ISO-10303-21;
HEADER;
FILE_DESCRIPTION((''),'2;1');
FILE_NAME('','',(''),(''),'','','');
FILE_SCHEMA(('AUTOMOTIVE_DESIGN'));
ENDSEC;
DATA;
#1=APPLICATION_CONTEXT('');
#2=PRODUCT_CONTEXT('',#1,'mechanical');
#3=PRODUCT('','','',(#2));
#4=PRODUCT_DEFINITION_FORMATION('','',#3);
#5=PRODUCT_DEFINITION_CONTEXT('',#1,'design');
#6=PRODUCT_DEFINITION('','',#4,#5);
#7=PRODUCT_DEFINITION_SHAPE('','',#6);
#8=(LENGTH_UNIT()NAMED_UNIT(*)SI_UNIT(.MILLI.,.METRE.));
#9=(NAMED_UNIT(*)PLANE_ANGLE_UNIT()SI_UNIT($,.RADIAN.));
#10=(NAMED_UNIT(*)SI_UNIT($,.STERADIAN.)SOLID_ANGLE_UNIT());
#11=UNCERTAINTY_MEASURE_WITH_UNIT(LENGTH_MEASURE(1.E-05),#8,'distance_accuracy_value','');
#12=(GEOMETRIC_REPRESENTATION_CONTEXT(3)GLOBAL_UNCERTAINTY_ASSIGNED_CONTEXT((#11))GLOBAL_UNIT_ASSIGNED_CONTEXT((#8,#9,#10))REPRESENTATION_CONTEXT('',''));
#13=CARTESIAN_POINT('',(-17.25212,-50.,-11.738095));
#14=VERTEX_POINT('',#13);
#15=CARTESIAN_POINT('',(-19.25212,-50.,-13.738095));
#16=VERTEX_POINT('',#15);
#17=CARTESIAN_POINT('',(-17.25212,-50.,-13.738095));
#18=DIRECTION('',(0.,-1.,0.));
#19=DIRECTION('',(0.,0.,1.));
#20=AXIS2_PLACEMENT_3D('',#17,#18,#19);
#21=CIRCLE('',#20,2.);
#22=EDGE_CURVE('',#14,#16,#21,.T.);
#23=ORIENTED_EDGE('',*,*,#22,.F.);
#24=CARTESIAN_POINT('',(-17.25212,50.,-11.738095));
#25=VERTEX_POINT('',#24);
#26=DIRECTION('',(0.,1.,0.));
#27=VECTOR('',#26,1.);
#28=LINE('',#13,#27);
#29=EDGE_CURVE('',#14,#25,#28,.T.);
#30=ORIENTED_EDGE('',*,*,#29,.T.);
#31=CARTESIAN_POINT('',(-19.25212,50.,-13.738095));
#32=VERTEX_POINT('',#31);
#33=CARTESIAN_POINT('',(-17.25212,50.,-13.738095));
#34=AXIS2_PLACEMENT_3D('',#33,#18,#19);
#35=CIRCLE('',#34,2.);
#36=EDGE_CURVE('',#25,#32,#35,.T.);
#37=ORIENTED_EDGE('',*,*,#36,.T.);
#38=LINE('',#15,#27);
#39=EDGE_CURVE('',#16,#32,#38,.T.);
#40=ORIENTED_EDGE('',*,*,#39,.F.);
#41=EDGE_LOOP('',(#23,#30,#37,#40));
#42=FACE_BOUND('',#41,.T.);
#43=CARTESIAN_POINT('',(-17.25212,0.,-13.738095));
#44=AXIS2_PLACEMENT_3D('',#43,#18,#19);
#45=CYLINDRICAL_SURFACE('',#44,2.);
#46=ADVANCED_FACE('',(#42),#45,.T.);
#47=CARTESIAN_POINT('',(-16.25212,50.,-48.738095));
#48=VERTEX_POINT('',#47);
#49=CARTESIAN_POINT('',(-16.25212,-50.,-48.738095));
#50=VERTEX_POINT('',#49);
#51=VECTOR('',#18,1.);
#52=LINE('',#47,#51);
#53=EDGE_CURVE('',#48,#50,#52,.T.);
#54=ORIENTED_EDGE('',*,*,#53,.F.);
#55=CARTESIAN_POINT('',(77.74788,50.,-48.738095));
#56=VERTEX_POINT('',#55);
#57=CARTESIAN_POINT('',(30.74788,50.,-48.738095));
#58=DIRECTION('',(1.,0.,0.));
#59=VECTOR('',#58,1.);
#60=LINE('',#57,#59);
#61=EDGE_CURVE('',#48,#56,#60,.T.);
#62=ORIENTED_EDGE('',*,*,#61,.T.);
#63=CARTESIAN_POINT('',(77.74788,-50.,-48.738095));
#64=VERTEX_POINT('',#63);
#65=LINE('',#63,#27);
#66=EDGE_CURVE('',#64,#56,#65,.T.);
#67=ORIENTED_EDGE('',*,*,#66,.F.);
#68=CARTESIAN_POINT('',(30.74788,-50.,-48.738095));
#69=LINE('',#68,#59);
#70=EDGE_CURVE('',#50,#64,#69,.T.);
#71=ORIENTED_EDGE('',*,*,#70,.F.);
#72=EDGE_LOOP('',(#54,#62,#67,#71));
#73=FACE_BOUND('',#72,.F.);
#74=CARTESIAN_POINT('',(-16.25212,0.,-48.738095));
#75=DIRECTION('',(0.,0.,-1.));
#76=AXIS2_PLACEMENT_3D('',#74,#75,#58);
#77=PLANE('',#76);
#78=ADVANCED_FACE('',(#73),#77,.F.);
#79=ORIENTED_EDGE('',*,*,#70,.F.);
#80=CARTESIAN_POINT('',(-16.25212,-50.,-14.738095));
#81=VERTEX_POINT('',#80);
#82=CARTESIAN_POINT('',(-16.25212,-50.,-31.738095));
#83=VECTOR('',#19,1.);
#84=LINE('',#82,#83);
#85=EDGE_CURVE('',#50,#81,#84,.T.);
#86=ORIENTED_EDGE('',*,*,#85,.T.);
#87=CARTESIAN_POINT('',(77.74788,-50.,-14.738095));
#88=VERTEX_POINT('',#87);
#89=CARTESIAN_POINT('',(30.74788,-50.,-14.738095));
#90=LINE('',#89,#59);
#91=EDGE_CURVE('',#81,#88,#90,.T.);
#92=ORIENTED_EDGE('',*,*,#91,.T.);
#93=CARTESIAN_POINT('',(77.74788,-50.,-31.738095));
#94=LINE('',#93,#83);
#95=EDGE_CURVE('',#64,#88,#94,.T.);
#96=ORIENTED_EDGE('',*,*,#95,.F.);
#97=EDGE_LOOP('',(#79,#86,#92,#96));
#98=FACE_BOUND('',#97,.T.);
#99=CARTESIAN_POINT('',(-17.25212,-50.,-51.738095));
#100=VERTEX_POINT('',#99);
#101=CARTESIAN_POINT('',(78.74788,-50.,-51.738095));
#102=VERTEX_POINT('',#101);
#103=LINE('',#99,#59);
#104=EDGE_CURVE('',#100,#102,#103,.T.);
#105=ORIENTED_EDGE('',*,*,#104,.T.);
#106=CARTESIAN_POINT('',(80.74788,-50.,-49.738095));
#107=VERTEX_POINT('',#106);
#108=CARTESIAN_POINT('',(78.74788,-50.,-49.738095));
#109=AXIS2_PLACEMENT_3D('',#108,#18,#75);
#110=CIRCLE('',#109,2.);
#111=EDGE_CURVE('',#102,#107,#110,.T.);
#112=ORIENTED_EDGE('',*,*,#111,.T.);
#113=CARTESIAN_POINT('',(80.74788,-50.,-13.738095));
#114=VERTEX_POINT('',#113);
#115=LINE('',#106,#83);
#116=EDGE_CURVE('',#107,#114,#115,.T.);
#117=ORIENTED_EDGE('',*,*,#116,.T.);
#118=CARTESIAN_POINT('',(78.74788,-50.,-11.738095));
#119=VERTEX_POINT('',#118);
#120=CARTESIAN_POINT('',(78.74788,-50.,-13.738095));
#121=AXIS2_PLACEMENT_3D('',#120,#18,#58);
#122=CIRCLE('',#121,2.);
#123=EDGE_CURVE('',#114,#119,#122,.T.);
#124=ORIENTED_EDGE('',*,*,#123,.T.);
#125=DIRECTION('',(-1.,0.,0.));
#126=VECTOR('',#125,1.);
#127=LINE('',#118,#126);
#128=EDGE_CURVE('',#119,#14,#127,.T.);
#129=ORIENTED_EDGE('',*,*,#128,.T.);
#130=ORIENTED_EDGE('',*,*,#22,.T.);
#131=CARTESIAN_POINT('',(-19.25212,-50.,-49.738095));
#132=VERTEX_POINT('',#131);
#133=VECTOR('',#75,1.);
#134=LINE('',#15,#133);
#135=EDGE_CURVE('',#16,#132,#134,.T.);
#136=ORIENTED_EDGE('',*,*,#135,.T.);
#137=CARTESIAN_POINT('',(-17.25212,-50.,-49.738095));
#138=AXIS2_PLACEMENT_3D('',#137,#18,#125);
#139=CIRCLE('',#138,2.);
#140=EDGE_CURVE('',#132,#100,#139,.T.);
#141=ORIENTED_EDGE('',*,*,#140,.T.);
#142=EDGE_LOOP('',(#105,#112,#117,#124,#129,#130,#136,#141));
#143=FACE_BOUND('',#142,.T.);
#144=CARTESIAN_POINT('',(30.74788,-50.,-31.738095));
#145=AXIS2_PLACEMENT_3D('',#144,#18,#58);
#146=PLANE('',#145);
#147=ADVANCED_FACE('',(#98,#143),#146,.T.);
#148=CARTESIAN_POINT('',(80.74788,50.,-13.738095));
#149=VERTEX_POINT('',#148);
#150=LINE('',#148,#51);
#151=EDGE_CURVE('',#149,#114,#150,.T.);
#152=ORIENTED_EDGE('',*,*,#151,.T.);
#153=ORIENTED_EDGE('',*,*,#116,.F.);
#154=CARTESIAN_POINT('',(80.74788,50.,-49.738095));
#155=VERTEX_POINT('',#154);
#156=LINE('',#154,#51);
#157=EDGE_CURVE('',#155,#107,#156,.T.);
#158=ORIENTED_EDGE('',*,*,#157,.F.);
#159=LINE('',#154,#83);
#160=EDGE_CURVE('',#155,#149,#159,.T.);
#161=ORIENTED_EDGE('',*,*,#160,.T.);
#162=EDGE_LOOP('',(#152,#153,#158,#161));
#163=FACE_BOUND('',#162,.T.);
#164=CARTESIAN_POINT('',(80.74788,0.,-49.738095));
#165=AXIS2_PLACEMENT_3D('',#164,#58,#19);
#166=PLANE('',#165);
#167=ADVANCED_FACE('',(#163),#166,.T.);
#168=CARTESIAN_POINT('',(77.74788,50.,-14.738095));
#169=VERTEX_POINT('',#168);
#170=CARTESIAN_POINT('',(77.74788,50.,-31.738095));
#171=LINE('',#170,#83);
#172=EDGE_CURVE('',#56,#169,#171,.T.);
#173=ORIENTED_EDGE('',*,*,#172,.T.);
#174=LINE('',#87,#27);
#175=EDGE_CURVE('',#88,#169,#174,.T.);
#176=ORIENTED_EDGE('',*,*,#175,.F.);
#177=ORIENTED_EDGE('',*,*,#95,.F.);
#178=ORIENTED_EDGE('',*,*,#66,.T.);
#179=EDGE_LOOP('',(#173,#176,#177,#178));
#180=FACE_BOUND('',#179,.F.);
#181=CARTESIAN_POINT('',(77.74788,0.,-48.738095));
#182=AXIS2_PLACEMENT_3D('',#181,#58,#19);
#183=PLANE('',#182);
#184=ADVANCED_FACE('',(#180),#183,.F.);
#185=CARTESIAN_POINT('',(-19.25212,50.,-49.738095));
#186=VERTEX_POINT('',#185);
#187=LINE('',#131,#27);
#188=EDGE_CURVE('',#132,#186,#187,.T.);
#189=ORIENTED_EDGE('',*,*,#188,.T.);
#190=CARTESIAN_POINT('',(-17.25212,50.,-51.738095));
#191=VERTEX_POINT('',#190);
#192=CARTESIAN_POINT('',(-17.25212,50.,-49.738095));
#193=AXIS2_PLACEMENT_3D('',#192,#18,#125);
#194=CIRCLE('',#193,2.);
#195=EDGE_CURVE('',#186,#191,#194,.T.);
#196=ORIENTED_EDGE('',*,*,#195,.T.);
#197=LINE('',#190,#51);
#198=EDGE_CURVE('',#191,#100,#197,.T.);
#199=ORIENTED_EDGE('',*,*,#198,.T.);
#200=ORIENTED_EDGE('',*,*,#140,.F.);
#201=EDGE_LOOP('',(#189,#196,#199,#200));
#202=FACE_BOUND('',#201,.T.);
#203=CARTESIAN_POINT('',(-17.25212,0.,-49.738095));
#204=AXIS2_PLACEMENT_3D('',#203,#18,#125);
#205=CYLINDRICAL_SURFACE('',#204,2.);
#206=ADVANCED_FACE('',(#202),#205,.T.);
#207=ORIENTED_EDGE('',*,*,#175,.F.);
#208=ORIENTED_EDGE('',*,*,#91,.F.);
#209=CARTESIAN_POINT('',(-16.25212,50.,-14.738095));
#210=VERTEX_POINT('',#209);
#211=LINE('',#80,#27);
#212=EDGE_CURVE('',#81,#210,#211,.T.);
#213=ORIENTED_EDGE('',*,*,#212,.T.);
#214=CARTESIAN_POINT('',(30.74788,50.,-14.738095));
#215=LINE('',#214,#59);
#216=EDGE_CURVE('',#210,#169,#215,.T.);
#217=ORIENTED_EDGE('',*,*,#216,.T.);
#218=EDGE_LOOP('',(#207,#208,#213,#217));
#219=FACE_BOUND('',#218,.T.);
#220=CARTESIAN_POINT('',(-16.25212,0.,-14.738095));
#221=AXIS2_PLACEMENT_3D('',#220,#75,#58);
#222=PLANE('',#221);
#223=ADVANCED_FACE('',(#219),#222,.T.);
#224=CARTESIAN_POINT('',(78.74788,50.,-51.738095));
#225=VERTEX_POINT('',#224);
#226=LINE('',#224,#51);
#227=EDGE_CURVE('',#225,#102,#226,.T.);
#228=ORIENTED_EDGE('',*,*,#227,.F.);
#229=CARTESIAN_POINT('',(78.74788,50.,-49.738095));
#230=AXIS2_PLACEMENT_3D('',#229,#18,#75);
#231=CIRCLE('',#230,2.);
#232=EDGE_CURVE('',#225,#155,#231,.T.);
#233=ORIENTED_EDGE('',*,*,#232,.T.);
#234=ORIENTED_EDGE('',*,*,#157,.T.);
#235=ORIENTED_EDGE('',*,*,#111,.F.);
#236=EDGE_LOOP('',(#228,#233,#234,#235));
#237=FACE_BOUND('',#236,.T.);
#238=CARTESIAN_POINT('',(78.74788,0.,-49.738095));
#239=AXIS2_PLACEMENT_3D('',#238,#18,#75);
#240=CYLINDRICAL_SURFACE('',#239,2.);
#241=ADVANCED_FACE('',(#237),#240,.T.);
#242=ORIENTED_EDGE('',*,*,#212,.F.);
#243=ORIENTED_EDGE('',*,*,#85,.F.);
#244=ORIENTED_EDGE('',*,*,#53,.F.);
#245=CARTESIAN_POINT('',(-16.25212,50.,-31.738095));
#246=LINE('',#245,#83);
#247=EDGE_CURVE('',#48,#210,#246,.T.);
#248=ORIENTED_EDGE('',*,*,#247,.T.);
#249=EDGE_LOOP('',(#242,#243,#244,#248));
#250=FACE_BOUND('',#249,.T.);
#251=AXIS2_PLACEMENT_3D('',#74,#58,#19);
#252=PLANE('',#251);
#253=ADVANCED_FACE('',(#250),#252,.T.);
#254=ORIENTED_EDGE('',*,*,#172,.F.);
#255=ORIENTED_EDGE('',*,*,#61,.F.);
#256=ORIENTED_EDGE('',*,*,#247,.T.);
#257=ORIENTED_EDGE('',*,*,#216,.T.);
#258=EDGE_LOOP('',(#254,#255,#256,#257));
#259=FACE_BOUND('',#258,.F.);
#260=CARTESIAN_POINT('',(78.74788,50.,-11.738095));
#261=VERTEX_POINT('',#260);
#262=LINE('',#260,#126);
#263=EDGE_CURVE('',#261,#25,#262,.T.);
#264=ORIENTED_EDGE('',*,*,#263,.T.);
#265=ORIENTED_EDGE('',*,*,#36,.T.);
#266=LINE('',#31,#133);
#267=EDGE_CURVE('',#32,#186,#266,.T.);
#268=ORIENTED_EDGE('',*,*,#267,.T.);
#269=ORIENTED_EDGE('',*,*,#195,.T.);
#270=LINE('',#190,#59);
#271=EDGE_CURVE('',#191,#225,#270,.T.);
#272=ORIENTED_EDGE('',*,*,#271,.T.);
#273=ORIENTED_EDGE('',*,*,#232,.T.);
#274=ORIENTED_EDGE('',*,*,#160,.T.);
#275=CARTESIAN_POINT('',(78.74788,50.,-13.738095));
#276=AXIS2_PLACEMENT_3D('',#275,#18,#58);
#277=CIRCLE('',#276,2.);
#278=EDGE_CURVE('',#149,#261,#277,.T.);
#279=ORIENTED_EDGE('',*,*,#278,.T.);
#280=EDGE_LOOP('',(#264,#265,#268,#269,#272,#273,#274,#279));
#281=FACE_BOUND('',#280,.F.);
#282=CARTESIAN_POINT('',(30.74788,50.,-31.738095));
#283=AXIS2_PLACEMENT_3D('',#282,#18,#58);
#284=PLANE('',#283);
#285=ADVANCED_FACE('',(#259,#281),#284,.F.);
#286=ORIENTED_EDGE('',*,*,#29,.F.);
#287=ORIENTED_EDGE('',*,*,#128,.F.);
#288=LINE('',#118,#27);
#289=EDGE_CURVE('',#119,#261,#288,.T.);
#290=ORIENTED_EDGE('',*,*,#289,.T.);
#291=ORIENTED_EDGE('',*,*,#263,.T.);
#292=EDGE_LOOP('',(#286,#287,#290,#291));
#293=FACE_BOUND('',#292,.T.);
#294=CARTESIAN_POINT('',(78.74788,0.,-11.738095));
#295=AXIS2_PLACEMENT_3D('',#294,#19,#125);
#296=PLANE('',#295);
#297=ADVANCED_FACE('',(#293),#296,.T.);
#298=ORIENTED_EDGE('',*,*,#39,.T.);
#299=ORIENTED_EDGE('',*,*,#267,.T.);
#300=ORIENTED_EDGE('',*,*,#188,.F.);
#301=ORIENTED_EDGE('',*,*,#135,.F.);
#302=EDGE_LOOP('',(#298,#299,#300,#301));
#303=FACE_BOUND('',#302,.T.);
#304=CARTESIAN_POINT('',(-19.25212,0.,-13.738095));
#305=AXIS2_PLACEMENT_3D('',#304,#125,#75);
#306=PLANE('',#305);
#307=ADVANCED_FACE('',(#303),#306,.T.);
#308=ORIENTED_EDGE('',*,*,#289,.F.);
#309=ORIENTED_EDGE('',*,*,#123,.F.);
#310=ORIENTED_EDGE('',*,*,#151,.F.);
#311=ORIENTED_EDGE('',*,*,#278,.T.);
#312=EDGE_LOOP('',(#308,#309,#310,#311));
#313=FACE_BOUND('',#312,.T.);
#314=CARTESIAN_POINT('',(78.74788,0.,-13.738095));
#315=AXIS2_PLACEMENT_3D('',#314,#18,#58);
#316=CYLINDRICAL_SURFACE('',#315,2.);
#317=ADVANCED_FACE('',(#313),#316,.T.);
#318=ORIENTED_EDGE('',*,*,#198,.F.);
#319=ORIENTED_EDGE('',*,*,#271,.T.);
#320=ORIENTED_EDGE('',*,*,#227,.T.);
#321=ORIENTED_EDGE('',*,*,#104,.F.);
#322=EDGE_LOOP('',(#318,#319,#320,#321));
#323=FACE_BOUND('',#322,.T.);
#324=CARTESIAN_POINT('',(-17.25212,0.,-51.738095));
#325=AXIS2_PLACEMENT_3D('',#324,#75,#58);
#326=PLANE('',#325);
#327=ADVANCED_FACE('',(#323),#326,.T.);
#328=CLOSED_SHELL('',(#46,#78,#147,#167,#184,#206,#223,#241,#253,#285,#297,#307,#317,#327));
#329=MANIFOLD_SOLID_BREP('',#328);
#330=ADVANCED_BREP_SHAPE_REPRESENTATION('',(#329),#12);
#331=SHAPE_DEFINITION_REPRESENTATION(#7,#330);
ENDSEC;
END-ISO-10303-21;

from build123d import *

# Parameters (mm, degrees)
F3_W     = 94
F3_H     = 34
F4_DEPTH = 50


with BuildPart() as f4:
    # F3 (on Front) → F4 (new body, symmetric)
    with BuildSketch(Plane.XZ):
        with BuildLine():
            ThreePointArc((-19.2521204937, -49.7380952381), (-18.6663340561, -51.1523088005), (-17.2521204937, -51.7380952381))
            Line((-17.2521204937, -51.7380952381), (78.7478795063, -51.7380952381))
            ThreePointArc((78.7478795063, -51.7380952381), (80.1620930687, -51.1523088005), (80.7478795063, -49.7380952381))
            Line((80.7478795063, -49.7380952381), (80.7478795063, -13.7380952381))
            ThreePointArc((80.7478795063, -13.7380952381), (80.1620930687, -12.3238816757), (78.7478795063, -11.7380952381))
            Line((78.7478795063, -11.7380952381), (-17.2521204937, -11.7380952381))
            ThreePointArc((-17.2521204937, -11.7380952381), (-18.6663340561, -12.3238816757), (-19.2521204937, -13.7380952381))
            Line((-19.2521204937, -13.7380952381), (-19.2521204937, -49.7380952381))
        make_face()
        with Locations((30.7478795063, -31.7380952381)):
            Rectangle(F3_W, F3_H, mode=Mode.SUBTRACT)
    extrude(amount=F4_DEPTH, both=True)


with BuildPart() as f5_1:
    # F5: copy of F4
    add(f4.part)


solid = f4.part
